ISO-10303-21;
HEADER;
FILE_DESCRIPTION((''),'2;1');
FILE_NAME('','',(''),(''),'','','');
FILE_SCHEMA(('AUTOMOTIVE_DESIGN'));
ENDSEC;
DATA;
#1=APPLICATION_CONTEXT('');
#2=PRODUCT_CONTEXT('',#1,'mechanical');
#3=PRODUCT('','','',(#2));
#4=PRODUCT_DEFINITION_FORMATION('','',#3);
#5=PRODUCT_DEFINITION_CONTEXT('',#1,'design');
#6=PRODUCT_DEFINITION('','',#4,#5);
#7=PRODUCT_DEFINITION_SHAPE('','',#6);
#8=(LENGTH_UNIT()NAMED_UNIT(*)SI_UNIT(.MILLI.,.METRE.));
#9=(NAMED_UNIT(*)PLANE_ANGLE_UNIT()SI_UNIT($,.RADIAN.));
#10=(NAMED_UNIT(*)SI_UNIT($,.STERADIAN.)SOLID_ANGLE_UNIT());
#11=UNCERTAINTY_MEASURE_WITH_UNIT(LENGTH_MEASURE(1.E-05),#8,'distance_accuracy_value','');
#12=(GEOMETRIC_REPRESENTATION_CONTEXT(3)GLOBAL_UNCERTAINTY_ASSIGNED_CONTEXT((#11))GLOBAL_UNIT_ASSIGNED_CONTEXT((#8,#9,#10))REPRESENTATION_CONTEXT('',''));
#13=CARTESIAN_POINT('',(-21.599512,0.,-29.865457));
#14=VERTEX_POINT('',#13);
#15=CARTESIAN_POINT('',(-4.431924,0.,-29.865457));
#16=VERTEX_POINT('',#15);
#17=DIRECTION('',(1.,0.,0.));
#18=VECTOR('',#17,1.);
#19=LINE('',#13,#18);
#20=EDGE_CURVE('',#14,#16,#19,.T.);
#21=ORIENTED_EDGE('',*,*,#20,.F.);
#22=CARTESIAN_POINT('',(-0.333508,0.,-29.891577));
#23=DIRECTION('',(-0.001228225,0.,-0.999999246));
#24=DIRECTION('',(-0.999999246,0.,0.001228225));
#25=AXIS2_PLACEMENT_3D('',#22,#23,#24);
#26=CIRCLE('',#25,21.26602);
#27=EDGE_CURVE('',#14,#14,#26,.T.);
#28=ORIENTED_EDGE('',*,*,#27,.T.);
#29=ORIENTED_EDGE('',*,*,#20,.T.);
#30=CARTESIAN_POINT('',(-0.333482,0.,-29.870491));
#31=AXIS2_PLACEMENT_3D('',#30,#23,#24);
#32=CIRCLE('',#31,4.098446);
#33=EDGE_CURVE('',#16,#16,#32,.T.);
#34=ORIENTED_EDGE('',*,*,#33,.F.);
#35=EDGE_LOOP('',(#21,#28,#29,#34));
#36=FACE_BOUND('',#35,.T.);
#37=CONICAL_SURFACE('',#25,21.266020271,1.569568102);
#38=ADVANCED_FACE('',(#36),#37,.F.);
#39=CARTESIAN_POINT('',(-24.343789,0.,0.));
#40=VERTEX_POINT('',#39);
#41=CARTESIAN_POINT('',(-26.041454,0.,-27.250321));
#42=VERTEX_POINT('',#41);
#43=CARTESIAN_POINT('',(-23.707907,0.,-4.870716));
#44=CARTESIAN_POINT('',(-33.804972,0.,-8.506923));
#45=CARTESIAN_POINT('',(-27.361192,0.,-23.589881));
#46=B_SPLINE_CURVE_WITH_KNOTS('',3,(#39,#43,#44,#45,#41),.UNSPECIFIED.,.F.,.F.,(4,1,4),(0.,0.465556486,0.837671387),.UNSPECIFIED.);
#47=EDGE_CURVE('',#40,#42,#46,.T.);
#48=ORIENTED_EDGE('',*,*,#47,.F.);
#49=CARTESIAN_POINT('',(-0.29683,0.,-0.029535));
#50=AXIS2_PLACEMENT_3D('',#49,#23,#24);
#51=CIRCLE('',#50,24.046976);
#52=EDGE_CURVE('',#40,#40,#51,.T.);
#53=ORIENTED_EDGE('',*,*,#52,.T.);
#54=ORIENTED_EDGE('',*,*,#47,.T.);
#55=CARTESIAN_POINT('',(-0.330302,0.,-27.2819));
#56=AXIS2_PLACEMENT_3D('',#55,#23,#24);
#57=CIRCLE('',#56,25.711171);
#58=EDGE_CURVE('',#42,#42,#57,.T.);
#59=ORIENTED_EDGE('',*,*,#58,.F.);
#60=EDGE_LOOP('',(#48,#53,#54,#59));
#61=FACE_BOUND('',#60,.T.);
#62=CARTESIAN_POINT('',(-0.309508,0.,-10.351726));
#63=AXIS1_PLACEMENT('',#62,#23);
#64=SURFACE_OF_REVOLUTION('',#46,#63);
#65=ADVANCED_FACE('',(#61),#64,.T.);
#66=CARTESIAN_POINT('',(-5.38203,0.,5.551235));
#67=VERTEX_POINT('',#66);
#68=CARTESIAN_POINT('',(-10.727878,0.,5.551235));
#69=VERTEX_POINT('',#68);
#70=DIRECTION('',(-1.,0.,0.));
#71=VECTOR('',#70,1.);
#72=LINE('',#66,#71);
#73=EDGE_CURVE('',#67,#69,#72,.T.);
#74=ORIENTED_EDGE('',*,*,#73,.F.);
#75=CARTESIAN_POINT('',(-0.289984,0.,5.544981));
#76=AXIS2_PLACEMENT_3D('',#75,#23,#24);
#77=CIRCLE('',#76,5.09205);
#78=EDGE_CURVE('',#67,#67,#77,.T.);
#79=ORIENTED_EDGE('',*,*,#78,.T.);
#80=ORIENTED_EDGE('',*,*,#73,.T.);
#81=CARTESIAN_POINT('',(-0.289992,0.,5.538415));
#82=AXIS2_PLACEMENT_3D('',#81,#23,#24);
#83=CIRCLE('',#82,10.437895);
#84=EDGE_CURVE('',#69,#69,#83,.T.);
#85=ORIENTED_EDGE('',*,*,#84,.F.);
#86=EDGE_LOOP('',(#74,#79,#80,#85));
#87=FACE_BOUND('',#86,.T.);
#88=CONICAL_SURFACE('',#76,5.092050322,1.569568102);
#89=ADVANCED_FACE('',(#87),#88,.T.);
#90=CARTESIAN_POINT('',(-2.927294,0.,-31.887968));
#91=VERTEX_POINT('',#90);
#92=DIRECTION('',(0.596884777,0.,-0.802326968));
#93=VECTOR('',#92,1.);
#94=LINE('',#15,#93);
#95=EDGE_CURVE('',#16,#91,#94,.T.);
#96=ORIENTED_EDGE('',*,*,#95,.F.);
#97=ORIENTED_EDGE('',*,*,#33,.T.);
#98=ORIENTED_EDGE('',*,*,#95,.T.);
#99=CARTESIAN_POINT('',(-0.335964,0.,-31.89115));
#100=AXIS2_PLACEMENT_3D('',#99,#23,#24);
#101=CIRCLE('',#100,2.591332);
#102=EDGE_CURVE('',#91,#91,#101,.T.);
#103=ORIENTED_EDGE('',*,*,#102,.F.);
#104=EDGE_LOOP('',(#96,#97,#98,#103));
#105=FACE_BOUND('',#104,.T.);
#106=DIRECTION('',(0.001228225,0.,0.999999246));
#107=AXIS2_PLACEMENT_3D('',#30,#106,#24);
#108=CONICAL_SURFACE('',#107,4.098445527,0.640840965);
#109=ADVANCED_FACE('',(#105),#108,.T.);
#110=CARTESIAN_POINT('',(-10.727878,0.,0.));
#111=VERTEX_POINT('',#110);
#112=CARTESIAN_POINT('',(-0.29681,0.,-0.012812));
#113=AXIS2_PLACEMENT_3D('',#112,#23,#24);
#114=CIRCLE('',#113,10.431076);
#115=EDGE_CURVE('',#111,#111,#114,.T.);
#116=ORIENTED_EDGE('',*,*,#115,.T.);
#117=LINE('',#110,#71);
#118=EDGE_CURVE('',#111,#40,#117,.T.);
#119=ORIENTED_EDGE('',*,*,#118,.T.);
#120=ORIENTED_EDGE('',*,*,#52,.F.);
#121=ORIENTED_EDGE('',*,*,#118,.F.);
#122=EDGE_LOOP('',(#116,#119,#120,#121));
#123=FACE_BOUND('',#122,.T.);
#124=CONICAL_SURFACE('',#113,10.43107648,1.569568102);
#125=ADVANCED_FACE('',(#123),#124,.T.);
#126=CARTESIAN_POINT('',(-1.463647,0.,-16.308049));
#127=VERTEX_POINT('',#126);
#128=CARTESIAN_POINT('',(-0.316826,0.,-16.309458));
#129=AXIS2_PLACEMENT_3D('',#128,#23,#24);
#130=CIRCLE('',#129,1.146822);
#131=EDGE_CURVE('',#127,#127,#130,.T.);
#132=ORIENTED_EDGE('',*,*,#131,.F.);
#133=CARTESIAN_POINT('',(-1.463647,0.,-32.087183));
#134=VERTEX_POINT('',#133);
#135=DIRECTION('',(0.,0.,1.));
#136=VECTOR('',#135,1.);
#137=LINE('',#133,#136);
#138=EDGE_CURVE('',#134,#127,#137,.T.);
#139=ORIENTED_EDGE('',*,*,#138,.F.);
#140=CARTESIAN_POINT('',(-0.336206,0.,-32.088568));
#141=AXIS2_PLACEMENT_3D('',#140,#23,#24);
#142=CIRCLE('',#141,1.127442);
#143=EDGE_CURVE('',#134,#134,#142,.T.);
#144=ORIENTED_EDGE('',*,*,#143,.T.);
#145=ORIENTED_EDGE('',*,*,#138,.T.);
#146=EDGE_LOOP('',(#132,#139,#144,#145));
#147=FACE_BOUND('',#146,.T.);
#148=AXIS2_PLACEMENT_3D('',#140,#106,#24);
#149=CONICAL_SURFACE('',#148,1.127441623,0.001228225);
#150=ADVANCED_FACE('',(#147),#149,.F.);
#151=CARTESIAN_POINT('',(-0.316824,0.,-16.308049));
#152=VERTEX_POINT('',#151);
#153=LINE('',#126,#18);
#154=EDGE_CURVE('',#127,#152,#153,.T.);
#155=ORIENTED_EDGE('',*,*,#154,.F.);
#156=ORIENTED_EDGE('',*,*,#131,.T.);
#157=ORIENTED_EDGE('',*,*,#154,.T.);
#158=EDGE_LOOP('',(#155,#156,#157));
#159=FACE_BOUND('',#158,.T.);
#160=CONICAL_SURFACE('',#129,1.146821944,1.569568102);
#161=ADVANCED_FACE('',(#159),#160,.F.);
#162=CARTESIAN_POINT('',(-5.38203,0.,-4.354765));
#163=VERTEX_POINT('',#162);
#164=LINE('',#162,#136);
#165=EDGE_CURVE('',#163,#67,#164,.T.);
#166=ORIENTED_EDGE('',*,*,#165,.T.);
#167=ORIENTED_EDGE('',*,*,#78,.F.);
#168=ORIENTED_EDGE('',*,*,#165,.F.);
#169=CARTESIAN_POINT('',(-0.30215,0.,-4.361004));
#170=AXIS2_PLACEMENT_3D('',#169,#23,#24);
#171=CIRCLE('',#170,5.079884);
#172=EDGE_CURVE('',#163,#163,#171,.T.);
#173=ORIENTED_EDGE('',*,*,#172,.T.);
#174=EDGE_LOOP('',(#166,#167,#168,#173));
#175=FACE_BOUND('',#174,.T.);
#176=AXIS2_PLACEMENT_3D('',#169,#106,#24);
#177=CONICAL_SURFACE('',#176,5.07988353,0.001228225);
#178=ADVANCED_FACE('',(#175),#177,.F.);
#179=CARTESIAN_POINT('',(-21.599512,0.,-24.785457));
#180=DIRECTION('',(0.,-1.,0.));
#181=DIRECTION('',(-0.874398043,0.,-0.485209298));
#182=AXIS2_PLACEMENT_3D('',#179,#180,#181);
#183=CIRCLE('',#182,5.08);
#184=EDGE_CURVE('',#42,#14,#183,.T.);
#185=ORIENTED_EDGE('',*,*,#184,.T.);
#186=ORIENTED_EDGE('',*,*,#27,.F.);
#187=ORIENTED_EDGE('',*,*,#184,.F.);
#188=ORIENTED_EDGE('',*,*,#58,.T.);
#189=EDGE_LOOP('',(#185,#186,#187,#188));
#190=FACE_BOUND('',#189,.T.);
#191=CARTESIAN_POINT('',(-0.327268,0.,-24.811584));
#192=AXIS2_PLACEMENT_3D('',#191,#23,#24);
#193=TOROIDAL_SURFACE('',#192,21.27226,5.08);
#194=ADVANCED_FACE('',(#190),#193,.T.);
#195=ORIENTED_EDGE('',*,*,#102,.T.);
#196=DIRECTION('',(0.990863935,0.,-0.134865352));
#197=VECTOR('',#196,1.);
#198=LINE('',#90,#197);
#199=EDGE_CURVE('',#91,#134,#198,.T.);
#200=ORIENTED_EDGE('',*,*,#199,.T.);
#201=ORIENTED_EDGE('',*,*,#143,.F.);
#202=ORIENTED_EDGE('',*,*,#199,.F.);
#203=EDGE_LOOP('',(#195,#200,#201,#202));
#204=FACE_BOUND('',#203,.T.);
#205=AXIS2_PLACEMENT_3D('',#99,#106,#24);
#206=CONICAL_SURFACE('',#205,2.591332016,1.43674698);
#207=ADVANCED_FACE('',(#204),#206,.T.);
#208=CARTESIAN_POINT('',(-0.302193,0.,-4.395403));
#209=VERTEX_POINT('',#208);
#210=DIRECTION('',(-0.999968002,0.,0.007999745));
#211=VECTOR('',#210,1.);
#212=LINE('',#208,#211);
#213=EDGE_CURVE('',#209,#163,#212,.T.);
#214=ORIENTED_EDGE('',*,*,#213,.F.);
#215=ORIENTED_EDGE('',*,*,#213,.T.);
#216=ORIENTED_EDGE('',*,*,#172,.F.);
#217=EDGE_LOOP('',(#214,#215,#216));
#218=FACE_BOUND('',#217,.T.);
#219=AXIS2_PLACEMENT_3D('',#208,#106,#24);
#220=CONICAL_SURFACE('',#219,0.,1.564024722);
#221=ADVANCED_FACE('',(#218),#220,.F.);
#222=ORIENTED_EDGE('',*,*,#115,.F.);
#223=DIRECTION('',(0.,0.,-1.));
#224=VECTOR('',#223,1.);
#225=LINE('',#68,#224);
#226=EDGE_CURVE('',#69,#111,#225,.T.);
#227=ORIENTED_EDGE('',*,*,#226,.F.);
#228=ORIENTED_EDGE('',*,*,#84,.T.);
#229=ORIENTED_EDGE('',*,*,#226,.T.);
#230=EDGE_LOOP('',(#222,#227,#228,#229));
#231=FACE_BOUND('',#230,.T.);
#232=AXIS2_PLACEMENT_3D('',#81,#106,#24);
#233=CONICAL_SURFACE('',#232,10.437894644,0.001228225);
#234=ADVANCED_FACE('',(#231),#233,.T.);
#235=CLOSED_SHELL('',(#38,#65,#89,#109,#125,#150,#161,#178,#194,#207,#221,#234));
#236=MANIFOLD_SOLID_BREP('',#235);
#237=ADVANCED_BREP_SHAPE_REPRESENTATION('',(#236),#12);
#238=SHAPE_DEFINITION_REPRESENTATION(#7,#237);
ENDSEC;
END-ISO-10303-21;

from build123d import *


with BuildPart() as f1:
    # F0 (on Front) → F1 (revolve)
    with BuildSketch(Plane.XZ):
        with BuildLine():
            Line((-5.3820300382, -4.3547645698), (-5.3820300382, 5.5512354302))
            Line((-5.3820300382, 5.5512354302), (-10.7278783922, 5.5512354302))
            Line((-10.7278783922, 5.5512354302), (-10.7278783922, 0))
            Line((-10.7278783922, 0), (-24.3437886806, 0))
            add(Edge.make_bspline(
                [(-24.3437886806, 0), (-23.7079065261, -4.8707163927), (-33.8049715487, -8.5069227731), (-27.3611923672, -23.589880631), (-26.04145393, -27.2503205479)],
                knots=[0, 0, 0, 0, 0.465556486, 0.8376713872, 0.8376713872, 0.8376713872, 0.8376713872], degree=3))
            ThreePointArc((-26.04145393, -27.2503205479), (-24.1768064595, -29.1631225156), (-21.5995118727, -29.8654573145))
            Line((-21.5995118727, -29.8654573145), (-4.431924179, -29.8654573145))
            Line((-4.431924179, -29.8654573145), (-2.9272936301, -31.887967709))
            Line((-2.9272936301, -31.887967709), (-1.4636468151, -32.0871829958))
            Line((-1.4636468151, -32.0871829958), (-1.4636468151, -16.3080489469))
            Line((-1.4636468151, -16.3080489469), (-0.3168240062, -16.3080489469))
            Line((-0.3168240062, -16.3080489469), (-0.3021925904, -4.3954032724))
            Line((-0.3021925904, -4.3954032724), (-5.3820300382, -4.3547645698))
        make_face()
    revolve(axis=Axis((-0.3095082983, 0, -10.3517261096), (-0.0012282246, 0, -0.9999992457)))


solid = f1.part
